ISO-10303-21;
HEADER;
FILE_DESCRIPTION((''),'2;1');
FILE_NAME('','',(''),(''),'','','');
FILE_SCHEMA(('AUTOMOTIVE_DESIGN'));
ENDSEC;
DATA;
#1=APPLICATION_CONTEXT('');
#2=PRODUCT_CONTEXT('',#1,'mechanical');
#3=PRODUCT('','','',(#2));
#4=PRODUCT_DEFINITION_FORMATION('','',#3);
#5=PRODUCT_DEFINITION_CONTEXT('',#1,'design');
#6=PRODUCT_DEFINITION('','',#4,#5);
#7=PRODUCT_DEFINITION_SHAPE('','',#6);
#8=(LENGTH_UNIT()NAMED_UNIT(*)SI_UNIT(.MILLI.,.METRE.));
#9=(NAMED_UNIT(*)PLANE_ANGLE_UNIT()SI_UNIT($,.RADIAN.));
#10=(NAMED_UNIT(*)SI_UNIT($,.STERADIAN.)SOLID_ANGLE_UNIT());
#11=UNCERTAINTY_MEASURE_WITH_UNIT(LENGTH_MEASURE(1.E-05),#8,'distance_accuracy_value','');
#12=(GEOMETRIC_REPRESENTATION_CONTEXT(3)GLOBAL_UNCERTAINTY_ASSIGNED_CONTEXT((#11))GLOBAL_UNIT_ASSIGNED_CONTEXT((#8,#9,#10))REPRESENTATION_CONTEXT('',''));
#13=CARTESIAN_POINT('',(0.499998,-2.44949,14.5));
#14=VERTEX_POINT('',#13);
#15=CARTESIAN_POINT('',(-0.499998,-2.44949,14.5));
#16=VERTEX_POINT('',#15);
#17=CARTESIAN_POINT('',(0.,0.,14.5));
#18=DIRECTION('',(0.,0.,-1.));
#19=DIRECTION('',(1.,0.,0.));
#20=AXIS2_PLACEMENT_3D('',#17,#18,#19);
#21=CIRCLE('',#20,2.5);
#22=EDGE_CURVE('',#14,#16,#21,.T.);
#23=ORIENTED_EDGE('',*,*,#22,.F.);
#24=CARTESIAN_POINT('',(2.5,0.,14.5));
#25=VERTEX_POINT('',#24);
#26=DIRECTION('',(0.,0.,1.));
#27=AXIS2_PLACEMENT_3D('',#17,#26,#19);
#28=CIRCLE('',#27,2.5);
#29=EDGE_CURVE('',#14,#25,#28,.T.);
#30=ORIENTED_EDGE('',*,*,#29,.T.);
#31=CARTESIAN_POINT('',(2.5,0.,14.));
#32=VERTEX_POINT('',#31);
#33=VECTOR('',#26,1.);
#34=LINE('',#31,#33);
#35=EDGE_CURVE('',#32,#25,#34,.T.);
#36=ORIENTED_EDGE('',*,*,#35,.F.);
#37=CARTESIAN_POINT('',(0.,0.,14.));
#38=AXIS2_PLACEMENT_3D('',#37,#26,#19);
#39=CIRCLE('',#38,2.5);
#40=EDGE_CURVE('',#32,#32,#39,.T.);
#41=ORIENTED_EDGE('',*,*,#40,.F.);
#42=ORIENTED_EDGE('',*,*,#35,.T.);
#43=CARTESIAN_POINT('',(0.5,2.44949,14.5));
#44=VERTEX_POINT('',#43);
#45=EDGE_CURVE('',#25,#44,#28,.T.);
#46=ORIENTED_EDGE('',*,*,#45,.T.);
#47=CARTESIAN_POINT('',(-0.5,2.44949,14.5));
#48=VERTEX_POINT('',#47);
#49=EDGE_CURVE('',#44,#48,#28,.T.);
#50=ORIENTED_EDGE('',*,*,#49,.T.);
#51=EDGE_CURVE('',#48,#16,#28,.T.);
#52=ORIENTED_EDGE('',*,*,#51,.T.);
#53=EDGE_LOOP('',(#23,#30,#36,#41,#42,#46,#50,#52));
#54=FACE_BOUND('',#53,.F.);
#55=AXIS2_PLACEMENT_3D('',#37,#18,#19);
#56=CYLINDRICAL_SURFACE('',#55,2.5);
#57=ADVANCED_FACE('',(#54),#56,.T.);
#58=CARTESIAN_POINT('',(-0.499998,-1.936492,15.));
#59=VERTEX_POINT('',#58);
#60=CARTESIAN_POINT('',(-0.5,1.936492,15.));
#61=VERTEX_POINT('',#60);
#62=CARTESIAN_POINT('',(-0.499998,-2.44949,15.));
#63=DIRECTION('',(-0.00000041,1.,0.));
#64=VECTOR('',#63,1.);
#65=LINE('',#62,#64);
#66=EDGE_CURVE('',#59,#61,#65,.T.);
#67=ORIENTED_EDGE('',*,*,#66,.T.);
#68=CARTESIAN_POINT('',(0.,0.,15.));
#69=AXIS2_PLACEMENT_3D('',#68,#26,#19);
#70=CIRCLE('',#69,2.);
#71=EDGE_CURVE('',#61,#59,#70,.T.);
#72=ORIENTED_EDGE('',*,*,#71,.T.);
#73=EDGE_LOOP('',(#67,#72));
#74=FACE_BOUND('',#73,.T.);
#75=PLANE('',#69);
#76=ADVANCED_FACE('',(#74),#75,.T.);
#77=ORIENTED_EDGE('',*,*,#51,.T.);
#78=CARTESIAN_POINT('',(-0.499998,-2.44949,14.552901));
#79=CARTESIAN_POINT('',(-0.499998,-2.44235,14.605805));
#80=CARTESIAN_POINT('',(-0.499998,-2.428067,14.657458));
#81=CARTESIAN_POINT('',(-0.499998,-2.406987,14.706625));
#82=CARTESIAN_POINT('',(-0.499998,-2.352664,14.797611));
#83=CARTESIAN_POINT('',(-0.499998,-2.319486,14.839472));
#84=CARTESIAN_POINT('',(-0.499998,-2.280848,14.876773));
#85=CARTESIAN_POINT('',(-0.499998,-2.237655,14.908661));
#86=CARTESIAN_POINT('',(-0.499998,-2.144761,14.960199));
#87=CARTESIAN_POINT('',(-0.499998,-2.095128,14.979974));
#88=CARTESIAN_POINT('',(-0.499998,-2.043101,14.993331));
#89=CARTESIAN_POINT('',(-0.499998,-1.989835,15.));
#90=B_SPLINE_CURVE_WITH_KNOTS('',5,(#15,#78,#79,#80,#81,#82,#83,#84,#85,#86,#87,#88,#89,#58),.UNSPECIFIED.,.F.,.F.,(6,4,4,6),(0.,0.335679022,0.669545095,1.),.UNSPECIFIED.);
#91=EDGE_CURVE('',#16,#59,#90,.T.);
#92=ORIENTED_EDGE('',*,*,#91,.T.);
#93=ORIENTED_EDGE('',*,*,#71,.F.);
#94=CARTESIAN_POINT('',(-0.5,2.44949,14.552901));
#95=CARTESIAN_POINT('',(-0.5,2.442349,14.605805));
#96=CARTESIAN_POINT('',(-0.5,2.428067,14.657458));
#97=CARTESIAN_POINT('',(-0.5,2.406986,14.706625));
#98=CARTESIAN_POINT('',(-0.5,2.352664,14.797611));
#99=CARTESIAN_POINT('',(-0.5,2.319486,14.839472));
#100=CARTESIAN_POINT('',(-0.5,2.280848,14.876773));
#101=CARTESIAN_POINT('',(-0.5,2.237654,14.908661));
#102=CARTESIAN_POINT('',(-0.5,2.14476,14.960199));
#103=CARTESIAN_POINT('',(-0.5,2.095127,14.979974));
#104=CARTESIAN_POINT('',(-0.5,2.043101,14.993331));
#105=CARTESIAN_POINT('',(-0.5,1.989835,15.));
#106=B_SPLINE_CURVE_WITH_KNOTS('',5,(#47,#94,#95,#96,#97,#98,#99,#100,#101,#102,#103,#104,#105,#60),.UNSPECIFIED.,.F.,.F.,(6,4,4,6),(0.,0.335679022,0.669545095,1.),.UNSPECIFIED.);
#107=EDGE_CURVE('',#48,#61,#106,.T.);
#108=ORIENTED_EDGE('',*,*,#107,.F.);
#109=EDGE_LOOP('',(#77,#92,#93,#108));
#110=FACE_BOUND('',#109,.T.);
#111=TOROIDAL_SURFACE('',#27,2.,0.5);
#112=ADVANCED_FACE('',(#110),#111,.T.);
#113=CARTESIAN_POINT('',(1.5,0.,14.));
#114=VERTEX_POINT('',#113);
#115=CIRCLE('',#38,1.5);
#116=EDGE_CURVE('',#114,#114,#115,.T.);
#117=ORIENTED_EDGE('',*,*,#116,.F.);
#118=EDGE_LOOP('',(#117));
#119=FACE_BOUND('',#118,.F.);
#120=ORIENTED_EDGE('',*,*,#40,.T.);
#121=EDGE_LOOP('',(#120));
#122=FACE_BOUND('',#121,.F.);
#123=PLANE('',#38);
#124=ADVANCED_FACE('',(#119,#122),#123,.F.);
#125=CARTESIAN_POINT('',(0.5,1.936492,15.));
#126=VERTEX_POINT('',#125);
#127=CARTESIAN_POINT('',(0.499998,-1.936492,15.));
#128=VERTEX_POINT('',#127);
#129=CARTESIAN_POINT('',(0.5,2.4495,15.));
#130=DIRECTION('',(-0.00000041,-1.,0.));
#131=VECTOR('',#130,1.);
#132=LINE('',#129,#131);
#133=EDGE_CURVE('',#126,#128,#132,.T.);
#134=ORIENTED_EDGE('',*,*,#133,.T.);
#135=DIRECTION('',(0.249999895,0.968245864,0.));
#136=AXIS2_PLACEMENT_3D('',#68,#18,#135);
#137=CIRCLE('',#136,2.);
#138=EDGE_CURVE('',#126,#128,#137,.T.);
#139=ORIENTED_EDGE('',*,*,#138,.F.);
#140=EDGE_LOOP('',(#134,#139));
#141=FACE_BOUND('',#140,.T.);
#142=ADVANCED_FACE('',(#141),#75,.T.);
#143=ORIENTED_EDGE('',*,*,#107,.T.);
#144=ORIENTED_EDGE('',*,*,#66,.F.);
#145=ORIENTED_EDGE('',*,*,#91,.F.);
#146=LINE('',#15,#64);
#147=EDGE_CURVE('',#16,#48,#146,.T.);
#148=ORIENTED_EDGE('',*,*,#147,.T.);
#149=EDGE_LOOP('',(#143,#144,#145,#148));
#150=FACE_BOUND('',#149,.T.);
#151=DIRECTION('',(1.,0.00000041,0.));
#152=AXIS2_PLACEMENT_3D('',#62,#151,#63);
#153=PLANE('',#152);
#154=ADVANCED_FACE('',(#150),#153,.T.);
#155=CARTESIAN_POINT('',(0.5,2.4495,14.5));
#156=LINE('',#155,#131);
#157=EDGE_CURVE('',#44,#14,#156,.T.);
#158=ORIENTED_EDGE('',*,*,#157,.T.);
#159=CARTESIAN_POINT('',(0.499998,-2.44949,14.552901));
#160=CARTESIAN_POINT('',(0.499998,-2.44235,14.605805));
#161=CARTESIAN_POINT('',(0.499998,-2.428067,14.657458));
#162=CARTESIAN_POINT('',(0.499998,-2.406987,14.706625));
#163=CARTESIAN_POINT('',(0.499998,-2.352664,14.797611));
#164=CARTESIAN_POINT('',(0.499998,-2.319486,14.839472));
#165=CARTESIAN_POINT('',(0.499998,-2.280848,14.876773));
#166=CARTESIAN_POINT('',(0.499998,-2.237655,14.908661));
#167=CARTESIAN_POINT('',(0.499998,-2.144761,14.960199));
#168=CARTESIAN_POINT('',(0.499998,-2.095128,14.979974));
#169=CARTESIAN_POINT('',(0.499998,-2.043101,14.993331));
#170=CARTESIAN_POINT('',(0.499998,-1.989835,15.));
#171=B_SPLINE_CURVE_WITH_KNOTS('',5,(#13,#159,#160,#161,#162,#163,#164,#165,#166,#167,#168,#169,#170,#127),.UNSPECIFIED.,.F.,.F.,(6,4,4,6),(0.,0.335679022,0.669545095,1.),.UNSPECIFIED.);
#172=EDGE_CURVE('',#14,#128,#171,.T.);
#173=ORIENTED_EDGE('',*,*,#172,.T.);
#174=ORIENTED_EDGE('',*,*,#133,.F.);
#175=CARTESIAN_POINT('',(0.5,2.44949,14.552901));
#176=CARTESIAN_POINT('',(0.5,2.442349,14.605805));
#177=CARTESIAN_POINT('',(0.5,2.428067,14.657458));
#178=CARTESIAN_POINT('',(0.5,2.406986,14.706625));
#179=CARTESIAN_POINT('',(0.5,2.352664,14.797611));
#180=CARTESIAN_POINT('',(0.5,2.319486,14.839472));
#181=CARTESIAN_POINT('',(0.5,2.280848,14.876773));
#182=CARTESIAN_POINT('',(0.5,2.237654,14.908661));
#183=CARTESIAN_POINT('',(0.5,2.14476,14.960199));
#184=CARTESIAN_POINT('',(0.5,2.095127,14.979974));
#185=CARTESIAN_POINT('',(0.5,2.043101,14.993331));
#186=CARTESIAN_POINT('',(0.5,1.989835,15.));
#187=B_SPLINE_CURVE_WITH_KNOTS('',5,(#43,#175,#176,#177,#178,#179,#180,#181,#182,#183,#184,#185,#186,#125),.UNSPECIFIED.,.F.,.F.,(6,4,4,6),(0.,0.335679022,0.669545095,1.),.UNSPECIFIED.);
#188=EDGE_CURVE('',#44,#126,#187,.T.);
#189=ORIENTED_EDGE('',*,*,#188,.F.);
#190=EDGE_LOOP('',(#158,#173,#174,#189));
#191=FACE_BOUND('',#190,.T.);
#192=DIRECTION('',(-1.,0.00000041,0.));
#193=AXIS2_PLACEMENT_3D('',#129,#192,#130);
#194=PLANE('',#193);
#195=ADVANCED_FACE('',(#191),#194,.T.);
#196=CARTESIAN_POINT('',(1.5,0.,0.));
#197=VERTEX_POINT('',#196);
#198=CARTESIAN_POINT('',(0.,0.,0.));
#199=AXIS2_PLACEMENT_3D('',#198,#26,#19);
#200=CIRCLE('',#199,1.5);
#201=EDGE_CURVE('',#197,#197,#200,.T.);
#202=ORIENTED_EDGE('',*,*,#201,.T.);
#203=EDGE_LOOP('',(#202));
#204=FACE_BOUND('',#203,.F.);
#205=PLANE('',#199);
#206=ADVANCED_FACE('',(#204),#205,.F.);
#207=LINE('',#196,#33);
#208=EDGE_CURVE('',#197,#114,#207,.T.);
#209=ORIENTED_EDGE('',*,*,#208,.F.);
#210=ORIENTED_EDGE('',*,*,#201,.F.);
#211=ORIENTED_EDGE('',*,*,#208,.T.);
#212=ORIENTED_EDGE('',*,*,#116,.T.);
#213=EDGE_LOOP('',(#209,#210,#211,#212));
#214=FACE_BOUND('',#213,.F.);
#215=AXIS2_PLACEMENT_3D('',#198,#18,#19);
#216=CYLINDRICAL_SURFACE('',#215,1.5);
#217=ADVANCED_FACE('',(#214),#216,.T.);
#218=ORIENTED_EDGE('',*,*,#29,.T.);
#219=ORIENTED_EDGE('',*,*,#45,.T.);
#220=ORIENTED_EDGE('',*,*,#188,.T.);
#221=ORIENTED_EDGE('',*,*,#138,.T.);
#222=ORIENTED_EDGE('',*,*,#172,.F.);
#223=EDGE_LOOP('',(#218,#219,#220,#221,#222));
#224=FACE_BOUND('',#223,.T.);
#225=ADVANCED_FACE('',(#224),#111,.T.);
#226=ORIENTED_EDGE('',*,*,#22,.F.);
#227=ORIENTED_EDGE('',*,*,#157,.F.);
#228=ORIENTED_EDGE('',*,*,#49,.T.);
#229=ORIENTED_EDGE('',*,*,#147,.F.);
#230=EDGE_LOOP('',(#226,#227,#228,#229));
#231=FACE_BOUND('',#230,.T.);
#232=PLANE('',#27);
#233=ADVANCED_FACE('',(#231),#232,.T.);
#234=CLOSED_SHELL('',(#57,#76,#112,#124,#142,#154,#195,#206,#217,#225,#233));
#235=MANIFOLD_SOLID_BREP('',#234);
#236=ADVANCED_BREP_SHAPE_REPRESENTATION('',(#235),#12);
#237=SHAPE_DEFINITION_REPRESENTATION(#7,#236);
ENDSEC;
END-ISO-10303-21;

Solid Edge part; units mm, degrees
sketch "Sketch1" plane through (0, 0, 0) normal (0, 0, 1) x (1, 0, 0)
  circle A0 centre (0, 0) radius 1.5
  dimension "D1" = 3
extrude "Protrusion1" add sketch "Sketch1" along normal blind 14
sketch "Sketch2" plane through (0, 0, 14) normal (0, 0, 1) x (1, 0, 0)
  circle A0 centre (0, 0) radius 2.5
  dimension "D1" = 5
extrude "Head" add sketch "Sketch2" along normal blind 1
fillet "Round___Head" radius 0.5 1 edges at (-2.5, 0, 15)
sketch "Sketch3" plane through (0, 0, 15) normal (0, 0, 1) x (1, 0, 0)
  line L0 (-0.5, -2.4495) -> (-0.5, 2.4495)
  line L1 (0.5, 2.4495) -> (0.5, -2.4495)
  arc A0 (0.5, -2.4495) -> (-0.5, -2.4495) centre (0, 0) cw
  dimension "D1" = 1
  dimension "D2" = 0.5
extrude "Cutout___Head" cut sketch "Sketch3" against normal blind 0.5 material side at (-0.45, 0, 15)
cosmetic_thread "Thread1" size "M3"
properties material "Stainless Steel, 420"
